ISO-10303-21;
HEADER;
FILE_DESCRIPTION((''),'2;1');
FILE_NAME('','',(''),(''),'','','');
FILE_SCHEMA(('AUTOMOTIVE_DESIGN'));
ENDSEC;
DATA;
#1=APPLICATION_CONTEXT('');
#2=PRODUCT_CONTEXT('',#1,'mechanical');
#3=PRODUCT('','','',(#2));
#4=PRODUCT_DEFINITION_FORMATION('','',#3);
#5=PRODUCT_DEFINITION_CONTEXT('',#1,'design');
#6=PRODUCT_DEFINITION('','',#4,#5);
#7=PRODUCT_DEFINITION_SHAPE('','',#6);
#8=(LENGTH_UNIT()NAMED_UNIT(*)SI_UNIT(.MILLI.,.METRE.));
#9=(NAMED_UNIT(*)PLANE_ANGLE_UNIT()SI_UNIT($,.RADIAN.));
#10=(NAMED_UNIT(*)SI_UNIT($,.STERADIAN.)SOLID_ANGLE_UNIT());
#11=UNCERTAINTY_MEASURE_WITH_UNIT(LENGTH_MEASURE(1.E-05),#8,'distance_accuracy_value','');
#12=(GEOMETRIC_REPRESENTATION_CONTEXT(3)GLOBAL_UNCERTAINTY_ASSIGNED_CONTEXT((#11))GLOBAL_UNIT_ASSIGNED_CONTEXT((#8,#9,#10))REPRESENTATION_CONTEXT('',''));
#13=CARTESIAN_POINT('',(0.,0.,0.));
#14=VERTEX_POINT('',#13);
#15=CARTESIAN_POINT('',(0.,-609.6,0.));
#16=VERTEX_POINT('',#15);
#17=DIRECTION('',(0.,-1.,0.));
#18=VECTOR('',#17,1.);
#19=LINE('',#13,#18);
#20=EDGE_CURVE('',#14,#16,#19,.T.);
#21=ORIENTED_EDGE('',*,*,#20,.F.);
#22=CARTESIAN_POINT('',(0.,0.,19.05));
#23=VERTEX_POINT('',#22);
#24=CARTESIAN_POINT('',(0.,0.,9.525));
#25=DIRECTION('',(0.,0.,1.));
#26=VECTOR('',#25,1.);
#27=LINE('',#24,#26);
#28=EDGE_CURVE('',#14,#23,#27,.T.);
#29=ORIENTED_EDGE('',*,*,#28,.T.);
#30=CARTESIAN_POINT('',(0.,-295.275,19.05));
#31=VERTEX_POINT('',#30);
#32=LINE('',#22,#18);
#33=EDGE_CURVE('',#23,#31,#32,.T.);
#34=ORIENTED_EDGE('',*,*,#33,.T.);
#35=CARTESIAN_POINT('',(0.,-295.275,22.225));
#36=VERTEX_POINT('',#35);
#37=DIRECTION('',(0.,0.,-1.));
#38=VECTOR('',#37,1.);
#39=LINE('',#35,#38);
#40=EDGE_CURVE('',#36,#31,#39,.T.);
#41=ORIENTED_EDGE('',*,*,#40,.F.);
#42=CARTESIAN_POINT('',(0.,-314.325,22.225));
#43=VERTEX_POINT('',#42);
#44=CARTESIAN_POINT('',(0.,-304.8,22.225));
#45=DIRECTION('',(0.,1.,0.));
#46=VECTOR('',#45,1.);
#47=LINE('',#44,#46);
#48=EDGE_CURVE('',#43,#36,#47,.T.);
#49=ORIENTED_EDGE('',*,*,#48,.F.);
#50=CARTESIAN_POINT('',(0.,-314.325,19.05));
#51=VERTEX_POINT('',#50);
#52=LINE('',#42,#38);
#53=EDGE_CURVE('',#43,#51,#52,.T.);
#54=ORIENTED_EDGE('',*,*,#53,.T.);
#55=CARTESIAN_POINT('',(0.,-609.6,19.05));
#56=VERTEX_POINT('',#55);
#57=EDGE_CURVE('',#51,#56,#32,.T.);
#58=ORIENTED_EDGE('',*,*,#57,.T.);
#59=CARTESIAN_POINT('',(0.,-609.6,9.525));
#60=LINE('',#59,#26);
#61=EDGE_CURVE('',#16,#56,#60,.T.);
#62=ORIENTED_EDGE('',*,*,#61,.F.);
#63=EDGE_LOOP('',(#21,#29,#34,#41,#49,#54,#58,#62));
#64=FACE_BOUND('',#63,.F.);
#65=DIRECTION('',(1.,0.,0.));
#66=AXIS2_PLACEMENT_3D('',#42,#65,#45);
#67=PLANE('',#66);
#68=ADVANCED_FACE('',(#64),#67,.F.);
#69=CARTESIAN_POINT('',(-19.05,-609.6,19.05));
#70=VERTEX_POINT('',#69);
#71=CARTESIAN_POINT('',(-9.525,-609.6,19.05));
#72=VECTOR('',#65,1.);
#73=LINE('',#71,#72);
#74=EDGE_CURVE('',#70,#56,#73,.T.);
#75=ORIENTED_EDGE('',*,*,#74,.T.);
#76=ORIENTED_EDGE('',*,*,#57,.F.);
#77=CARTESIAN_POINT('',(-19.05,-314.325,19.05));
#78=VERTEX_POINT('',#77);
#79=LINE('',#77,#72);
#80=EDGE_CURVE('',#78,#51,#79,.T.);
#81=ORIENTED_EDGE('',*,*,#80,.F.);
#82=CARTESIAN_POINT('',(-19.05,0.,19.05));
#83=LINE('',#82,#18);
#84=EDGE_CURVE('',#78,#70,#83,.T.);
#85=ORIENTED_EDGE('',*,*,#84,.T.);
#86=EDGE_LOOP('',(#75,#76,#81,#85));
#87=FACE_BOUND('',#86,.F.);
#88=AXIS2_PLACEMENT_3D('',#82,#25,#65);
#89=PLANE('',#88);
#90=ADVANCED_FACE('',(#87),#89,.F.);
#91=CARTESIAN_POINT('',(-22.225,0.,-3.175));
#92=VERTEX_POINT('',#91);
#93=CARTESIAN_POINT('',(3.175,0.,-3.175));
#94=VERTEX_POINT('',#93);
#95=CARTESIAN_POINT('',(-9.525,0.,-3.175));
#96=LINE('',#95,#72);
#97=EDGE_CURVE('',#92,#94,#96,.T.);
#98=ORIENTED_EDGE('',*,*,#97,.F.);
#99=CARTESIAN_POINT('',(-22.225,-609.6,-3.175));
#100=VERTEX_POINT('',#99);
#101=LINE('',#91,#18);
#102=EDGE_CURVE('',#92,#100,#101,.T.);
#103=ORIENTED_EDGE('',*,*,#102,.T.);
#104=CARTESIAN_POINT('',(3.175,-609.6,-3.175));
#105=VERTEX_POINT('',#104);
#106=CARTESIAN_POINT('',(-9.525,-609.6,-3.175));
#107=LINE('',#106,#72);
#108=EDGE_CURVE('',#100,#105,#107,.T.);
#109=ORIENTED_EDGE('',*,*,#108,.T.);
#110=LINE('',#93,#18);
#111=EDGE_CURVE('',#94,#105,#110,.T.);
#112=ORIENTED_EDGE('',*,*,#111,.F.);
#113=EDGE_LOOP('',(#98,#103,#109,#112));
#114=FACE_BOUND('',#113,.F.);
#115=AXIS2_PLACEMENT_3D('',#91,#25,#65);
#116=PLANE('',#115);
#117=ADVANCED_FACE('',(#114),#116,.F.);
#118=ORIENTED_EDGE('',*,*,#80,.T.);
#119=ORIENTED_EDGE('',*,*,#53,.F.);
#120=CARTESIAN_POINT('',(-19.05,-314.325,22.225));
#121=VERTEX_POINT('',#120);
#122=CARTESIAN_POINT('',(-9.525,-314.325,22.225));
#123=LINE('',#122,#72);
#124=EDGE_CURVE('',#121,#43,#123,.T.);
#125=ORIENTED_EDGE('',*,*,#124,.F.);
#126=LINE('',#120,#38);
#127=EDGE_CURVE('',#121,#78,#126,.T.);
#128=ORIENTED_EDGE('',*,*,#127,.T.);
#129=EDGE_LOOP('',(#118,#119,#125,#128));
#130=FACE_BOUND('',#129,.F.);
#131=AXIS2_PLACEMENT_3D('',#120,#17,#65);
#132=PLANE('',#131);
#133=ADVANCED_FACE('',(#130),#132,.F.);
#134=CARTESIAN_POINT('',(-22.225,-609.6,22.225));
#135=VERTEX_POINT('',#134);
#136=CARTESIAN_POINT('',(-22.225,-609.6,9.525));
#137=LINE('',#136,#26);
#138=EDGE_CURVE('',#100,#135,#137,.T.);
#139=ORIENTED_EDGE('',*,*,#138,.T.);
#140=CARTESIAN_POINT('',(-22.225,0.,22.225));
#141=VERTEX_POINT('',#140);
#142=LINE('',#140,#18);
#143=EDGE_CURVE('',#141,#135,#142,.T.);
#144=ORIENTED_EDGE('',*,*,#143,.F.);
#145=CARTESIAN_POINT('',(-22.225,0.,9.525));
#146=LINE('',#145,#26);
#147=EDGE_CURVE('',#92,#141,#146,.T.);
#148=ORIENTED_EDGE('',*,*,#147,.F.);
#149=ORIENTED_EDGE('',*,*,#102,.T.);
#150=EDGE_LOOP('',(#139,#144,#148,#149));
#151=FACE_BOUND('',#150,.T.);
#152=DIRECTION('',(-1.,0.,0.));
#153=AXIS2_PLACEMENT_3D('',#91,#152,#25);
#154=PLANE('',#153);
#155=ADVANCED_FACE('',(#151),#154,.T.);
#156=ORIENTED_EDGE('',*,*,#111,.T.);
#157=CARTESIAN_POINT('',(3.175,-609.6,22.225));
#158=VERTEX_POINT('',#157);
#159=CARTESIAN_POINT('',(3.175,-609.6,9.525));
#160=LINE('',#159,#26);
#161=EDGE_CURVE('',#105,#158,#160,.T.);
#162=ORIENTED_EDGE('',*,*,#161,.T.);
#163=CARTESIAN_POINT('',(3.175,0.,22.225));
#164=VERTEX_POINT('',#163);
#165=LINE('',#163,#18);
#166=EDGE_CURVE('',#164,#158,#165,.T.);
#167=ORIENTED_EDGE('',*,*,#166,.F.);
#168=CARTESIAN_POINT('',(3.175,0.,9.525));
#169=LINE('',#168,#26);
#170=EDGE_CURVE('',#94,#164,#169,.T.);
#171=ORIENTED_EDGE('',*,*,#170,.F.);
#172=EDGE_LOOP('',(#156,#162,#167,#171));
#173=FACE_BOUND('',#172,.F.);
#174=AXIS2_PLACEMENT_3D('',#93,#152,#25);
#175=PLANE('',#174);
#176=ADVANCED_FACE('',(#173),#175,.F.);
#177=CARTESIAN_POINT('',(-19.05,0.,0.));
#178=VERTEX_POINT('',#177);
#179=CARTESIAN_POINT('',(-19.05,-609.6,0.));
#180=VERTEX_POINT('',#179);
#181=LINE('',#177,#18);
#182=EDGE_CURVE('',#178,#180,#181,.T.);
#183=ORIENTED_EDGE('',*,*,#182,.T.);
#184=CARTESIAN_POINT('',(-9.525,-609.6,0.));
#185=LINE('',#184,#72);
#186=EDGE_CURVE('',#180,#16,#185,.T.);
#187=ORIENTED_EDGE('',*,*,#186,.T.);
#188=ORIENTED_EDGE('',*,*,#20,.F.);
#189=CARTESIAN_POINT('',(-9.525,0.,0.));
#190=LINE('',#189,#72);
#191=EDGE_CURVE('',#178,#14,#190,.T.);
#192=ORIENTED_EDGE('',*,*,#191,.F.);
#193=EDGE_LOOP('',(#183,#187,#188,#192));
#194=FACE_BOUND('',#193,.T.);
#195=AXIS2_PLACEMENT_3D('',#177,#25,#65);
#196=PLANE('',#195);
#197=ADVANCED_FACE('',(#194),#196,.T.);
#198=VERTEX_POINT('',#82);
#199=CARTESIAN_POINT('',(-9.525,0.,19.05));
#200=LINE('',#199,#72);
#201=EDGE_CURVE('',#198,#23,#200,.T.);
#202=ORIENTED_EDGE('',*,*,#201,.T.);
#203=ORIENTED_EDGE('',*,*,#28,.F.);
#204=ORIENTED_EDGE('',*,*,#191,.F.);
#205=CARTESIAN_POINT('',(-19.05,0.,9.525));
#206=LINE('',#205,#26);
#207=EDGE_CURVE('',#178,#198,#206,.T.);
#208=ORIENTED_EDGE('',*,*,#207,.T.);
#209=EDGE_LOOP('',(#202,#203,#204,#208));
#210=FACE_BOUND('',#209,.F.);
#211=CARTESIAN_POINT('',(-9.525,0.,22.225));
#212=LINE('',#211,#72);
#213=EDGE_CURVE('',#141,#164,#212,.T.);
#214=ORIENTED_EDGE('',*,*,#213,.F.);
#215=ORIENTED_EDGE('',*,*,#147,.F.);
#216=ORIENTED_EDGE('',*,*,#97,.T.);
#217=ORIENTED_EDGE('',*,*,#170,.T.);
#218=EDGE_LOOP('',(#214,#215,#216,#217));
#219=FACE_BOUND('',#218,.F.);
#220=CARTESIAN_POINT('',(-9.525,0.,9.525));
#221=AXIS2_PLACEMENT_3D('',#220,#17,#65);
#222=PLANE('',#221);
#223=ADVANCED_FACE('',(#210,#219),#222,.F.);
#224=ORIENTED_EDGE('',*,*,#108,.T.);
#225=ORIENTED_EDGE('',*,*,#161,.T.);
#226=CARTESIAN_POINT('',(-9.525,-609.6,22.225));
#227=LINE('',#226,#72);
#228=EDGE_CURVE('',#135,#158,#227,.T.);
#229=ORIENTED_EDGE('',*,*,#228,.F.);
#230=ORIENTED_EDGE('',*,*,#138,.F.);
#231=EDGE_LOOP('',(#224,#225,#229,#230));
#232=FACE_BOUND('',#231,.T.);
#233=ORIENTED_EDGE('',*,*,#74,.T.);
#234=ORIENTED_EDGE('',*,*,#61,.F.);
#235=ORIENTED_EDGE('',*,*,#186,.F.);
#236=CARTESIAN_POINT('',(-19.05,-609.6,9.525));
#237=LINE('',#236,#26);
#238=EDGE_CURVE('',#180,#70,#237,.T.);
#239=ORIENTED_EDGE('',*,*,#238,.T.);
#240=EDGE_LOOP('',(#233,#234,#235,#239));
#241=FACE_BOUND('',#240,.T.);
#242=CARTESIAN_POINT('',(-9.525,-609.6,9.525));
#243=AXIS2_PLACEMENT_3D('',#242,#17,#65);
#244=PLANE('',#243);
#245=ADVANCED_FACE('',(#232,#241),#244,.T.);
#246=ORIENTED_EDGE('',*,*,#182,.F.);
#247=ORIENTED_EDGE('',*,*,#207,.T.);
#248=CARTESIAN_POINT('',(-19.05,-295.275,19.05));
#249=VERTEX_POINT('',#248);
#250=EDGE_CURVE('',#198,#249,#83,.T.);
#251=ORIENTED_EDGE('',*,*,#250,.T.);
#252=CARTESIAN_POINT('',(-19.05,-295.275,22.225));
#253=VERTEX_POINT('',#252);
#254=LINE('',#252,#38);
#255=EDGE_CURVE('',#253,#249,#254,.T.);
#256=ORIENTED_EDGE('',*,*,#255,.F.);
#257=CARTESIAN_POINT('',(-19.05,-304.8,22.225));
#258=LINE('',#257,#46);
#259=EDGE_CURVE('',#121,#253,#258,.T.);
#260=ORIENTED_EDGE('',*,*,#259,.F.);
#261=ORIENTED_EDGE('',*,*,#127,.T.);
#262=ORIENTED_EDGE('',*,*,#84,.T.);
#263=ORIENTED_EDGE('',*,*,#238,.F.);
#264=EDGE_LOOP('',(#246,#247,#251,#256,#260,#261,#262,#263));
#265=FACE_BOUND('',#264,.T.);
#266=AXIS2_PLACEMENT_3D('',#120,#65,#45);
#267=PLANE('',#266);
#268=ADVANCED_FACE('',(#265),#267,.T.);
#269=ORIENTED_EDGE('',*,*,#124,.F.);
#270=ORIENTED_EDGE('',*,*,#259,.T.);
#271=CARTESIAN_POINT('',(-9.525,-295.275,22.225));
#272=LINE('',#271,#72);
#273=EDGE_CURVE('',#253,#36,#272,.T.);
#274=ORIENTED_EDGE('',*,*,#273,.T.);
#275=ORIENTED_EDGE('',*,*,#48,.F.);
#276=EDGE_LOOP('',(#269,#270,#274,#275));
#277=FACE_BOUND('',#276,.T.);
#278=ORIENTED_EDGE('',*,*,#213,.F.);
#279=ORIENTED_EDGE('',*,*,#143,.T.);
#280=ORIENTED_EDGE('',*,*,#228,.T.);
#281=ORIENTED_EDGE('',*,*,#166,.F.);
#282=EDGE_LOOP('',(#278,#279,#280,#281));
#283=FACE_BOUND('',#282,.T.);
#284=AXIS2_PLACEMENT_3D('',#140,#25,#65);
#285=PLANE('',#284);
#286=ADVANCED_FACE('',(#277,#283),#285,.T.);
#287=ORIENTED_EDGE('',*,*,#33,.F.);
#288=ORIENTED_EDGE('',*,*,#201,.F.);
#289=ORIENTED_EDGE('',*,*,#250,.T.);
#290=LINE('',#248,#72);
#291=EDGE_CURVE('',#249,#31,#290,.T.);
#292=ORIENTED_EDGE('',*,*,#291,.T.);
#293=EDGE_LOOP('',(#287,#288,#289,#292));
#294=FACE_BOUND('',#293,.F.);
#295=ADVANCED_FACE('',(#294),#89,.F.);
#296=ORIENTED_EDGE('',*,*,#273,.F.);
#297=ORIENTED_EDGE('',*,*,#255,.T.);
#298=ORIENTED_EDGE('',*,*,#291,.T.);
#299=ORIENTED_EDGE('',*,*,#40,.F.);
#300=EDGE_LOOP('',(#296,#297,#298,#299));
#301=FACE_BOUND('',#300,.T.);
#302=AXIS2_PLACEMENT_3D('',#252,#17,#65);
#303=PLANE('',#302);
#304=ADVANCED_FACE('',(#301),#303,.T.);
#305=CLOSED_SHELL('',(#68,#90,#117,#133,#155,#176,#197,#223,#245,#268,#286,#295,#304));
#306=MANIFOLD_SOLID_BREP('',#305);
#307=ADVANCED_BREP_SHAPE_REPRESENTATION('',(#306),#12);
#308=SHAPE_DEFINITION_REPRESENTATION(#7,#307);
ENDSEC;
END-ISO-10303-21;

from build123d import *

# Parameters (mm, degrees)
F0_W     = 25.4
F0_H     = 25.4
F0_W_2   = 19.05
F0_H_2   = 19.05
F1_DEPTH = 609.6
F2_W     = 19.05
F2_H     = 19.05
F3_DEPTH = 19.05


with BuildPart() as f1:
    # F0 (on Front) → F1 (new body)
    with BuildSketch(Plane.XZ):
        with Locations((-9.525, 9.525)):
            Rectangle(F0_W, F0_H)
        with Locations((-9.525, 9.525)):
            Rectangle(F0_W_2, F0_H_2, mode=Mode.SUBTRACT)
    extrude(amount=F1_DEPTH)

    # F2 (on face) → F3 (cut)
    with BuildSketch(Plane.XY.offset(22.225)):
        with Locations((-9.525, -304.8)):
            Rectangle(F2_W, F2_H)
    extrude(amount=-F3_DEPTH, mode=Mode.SUBTRACT)


solid = f1.part
